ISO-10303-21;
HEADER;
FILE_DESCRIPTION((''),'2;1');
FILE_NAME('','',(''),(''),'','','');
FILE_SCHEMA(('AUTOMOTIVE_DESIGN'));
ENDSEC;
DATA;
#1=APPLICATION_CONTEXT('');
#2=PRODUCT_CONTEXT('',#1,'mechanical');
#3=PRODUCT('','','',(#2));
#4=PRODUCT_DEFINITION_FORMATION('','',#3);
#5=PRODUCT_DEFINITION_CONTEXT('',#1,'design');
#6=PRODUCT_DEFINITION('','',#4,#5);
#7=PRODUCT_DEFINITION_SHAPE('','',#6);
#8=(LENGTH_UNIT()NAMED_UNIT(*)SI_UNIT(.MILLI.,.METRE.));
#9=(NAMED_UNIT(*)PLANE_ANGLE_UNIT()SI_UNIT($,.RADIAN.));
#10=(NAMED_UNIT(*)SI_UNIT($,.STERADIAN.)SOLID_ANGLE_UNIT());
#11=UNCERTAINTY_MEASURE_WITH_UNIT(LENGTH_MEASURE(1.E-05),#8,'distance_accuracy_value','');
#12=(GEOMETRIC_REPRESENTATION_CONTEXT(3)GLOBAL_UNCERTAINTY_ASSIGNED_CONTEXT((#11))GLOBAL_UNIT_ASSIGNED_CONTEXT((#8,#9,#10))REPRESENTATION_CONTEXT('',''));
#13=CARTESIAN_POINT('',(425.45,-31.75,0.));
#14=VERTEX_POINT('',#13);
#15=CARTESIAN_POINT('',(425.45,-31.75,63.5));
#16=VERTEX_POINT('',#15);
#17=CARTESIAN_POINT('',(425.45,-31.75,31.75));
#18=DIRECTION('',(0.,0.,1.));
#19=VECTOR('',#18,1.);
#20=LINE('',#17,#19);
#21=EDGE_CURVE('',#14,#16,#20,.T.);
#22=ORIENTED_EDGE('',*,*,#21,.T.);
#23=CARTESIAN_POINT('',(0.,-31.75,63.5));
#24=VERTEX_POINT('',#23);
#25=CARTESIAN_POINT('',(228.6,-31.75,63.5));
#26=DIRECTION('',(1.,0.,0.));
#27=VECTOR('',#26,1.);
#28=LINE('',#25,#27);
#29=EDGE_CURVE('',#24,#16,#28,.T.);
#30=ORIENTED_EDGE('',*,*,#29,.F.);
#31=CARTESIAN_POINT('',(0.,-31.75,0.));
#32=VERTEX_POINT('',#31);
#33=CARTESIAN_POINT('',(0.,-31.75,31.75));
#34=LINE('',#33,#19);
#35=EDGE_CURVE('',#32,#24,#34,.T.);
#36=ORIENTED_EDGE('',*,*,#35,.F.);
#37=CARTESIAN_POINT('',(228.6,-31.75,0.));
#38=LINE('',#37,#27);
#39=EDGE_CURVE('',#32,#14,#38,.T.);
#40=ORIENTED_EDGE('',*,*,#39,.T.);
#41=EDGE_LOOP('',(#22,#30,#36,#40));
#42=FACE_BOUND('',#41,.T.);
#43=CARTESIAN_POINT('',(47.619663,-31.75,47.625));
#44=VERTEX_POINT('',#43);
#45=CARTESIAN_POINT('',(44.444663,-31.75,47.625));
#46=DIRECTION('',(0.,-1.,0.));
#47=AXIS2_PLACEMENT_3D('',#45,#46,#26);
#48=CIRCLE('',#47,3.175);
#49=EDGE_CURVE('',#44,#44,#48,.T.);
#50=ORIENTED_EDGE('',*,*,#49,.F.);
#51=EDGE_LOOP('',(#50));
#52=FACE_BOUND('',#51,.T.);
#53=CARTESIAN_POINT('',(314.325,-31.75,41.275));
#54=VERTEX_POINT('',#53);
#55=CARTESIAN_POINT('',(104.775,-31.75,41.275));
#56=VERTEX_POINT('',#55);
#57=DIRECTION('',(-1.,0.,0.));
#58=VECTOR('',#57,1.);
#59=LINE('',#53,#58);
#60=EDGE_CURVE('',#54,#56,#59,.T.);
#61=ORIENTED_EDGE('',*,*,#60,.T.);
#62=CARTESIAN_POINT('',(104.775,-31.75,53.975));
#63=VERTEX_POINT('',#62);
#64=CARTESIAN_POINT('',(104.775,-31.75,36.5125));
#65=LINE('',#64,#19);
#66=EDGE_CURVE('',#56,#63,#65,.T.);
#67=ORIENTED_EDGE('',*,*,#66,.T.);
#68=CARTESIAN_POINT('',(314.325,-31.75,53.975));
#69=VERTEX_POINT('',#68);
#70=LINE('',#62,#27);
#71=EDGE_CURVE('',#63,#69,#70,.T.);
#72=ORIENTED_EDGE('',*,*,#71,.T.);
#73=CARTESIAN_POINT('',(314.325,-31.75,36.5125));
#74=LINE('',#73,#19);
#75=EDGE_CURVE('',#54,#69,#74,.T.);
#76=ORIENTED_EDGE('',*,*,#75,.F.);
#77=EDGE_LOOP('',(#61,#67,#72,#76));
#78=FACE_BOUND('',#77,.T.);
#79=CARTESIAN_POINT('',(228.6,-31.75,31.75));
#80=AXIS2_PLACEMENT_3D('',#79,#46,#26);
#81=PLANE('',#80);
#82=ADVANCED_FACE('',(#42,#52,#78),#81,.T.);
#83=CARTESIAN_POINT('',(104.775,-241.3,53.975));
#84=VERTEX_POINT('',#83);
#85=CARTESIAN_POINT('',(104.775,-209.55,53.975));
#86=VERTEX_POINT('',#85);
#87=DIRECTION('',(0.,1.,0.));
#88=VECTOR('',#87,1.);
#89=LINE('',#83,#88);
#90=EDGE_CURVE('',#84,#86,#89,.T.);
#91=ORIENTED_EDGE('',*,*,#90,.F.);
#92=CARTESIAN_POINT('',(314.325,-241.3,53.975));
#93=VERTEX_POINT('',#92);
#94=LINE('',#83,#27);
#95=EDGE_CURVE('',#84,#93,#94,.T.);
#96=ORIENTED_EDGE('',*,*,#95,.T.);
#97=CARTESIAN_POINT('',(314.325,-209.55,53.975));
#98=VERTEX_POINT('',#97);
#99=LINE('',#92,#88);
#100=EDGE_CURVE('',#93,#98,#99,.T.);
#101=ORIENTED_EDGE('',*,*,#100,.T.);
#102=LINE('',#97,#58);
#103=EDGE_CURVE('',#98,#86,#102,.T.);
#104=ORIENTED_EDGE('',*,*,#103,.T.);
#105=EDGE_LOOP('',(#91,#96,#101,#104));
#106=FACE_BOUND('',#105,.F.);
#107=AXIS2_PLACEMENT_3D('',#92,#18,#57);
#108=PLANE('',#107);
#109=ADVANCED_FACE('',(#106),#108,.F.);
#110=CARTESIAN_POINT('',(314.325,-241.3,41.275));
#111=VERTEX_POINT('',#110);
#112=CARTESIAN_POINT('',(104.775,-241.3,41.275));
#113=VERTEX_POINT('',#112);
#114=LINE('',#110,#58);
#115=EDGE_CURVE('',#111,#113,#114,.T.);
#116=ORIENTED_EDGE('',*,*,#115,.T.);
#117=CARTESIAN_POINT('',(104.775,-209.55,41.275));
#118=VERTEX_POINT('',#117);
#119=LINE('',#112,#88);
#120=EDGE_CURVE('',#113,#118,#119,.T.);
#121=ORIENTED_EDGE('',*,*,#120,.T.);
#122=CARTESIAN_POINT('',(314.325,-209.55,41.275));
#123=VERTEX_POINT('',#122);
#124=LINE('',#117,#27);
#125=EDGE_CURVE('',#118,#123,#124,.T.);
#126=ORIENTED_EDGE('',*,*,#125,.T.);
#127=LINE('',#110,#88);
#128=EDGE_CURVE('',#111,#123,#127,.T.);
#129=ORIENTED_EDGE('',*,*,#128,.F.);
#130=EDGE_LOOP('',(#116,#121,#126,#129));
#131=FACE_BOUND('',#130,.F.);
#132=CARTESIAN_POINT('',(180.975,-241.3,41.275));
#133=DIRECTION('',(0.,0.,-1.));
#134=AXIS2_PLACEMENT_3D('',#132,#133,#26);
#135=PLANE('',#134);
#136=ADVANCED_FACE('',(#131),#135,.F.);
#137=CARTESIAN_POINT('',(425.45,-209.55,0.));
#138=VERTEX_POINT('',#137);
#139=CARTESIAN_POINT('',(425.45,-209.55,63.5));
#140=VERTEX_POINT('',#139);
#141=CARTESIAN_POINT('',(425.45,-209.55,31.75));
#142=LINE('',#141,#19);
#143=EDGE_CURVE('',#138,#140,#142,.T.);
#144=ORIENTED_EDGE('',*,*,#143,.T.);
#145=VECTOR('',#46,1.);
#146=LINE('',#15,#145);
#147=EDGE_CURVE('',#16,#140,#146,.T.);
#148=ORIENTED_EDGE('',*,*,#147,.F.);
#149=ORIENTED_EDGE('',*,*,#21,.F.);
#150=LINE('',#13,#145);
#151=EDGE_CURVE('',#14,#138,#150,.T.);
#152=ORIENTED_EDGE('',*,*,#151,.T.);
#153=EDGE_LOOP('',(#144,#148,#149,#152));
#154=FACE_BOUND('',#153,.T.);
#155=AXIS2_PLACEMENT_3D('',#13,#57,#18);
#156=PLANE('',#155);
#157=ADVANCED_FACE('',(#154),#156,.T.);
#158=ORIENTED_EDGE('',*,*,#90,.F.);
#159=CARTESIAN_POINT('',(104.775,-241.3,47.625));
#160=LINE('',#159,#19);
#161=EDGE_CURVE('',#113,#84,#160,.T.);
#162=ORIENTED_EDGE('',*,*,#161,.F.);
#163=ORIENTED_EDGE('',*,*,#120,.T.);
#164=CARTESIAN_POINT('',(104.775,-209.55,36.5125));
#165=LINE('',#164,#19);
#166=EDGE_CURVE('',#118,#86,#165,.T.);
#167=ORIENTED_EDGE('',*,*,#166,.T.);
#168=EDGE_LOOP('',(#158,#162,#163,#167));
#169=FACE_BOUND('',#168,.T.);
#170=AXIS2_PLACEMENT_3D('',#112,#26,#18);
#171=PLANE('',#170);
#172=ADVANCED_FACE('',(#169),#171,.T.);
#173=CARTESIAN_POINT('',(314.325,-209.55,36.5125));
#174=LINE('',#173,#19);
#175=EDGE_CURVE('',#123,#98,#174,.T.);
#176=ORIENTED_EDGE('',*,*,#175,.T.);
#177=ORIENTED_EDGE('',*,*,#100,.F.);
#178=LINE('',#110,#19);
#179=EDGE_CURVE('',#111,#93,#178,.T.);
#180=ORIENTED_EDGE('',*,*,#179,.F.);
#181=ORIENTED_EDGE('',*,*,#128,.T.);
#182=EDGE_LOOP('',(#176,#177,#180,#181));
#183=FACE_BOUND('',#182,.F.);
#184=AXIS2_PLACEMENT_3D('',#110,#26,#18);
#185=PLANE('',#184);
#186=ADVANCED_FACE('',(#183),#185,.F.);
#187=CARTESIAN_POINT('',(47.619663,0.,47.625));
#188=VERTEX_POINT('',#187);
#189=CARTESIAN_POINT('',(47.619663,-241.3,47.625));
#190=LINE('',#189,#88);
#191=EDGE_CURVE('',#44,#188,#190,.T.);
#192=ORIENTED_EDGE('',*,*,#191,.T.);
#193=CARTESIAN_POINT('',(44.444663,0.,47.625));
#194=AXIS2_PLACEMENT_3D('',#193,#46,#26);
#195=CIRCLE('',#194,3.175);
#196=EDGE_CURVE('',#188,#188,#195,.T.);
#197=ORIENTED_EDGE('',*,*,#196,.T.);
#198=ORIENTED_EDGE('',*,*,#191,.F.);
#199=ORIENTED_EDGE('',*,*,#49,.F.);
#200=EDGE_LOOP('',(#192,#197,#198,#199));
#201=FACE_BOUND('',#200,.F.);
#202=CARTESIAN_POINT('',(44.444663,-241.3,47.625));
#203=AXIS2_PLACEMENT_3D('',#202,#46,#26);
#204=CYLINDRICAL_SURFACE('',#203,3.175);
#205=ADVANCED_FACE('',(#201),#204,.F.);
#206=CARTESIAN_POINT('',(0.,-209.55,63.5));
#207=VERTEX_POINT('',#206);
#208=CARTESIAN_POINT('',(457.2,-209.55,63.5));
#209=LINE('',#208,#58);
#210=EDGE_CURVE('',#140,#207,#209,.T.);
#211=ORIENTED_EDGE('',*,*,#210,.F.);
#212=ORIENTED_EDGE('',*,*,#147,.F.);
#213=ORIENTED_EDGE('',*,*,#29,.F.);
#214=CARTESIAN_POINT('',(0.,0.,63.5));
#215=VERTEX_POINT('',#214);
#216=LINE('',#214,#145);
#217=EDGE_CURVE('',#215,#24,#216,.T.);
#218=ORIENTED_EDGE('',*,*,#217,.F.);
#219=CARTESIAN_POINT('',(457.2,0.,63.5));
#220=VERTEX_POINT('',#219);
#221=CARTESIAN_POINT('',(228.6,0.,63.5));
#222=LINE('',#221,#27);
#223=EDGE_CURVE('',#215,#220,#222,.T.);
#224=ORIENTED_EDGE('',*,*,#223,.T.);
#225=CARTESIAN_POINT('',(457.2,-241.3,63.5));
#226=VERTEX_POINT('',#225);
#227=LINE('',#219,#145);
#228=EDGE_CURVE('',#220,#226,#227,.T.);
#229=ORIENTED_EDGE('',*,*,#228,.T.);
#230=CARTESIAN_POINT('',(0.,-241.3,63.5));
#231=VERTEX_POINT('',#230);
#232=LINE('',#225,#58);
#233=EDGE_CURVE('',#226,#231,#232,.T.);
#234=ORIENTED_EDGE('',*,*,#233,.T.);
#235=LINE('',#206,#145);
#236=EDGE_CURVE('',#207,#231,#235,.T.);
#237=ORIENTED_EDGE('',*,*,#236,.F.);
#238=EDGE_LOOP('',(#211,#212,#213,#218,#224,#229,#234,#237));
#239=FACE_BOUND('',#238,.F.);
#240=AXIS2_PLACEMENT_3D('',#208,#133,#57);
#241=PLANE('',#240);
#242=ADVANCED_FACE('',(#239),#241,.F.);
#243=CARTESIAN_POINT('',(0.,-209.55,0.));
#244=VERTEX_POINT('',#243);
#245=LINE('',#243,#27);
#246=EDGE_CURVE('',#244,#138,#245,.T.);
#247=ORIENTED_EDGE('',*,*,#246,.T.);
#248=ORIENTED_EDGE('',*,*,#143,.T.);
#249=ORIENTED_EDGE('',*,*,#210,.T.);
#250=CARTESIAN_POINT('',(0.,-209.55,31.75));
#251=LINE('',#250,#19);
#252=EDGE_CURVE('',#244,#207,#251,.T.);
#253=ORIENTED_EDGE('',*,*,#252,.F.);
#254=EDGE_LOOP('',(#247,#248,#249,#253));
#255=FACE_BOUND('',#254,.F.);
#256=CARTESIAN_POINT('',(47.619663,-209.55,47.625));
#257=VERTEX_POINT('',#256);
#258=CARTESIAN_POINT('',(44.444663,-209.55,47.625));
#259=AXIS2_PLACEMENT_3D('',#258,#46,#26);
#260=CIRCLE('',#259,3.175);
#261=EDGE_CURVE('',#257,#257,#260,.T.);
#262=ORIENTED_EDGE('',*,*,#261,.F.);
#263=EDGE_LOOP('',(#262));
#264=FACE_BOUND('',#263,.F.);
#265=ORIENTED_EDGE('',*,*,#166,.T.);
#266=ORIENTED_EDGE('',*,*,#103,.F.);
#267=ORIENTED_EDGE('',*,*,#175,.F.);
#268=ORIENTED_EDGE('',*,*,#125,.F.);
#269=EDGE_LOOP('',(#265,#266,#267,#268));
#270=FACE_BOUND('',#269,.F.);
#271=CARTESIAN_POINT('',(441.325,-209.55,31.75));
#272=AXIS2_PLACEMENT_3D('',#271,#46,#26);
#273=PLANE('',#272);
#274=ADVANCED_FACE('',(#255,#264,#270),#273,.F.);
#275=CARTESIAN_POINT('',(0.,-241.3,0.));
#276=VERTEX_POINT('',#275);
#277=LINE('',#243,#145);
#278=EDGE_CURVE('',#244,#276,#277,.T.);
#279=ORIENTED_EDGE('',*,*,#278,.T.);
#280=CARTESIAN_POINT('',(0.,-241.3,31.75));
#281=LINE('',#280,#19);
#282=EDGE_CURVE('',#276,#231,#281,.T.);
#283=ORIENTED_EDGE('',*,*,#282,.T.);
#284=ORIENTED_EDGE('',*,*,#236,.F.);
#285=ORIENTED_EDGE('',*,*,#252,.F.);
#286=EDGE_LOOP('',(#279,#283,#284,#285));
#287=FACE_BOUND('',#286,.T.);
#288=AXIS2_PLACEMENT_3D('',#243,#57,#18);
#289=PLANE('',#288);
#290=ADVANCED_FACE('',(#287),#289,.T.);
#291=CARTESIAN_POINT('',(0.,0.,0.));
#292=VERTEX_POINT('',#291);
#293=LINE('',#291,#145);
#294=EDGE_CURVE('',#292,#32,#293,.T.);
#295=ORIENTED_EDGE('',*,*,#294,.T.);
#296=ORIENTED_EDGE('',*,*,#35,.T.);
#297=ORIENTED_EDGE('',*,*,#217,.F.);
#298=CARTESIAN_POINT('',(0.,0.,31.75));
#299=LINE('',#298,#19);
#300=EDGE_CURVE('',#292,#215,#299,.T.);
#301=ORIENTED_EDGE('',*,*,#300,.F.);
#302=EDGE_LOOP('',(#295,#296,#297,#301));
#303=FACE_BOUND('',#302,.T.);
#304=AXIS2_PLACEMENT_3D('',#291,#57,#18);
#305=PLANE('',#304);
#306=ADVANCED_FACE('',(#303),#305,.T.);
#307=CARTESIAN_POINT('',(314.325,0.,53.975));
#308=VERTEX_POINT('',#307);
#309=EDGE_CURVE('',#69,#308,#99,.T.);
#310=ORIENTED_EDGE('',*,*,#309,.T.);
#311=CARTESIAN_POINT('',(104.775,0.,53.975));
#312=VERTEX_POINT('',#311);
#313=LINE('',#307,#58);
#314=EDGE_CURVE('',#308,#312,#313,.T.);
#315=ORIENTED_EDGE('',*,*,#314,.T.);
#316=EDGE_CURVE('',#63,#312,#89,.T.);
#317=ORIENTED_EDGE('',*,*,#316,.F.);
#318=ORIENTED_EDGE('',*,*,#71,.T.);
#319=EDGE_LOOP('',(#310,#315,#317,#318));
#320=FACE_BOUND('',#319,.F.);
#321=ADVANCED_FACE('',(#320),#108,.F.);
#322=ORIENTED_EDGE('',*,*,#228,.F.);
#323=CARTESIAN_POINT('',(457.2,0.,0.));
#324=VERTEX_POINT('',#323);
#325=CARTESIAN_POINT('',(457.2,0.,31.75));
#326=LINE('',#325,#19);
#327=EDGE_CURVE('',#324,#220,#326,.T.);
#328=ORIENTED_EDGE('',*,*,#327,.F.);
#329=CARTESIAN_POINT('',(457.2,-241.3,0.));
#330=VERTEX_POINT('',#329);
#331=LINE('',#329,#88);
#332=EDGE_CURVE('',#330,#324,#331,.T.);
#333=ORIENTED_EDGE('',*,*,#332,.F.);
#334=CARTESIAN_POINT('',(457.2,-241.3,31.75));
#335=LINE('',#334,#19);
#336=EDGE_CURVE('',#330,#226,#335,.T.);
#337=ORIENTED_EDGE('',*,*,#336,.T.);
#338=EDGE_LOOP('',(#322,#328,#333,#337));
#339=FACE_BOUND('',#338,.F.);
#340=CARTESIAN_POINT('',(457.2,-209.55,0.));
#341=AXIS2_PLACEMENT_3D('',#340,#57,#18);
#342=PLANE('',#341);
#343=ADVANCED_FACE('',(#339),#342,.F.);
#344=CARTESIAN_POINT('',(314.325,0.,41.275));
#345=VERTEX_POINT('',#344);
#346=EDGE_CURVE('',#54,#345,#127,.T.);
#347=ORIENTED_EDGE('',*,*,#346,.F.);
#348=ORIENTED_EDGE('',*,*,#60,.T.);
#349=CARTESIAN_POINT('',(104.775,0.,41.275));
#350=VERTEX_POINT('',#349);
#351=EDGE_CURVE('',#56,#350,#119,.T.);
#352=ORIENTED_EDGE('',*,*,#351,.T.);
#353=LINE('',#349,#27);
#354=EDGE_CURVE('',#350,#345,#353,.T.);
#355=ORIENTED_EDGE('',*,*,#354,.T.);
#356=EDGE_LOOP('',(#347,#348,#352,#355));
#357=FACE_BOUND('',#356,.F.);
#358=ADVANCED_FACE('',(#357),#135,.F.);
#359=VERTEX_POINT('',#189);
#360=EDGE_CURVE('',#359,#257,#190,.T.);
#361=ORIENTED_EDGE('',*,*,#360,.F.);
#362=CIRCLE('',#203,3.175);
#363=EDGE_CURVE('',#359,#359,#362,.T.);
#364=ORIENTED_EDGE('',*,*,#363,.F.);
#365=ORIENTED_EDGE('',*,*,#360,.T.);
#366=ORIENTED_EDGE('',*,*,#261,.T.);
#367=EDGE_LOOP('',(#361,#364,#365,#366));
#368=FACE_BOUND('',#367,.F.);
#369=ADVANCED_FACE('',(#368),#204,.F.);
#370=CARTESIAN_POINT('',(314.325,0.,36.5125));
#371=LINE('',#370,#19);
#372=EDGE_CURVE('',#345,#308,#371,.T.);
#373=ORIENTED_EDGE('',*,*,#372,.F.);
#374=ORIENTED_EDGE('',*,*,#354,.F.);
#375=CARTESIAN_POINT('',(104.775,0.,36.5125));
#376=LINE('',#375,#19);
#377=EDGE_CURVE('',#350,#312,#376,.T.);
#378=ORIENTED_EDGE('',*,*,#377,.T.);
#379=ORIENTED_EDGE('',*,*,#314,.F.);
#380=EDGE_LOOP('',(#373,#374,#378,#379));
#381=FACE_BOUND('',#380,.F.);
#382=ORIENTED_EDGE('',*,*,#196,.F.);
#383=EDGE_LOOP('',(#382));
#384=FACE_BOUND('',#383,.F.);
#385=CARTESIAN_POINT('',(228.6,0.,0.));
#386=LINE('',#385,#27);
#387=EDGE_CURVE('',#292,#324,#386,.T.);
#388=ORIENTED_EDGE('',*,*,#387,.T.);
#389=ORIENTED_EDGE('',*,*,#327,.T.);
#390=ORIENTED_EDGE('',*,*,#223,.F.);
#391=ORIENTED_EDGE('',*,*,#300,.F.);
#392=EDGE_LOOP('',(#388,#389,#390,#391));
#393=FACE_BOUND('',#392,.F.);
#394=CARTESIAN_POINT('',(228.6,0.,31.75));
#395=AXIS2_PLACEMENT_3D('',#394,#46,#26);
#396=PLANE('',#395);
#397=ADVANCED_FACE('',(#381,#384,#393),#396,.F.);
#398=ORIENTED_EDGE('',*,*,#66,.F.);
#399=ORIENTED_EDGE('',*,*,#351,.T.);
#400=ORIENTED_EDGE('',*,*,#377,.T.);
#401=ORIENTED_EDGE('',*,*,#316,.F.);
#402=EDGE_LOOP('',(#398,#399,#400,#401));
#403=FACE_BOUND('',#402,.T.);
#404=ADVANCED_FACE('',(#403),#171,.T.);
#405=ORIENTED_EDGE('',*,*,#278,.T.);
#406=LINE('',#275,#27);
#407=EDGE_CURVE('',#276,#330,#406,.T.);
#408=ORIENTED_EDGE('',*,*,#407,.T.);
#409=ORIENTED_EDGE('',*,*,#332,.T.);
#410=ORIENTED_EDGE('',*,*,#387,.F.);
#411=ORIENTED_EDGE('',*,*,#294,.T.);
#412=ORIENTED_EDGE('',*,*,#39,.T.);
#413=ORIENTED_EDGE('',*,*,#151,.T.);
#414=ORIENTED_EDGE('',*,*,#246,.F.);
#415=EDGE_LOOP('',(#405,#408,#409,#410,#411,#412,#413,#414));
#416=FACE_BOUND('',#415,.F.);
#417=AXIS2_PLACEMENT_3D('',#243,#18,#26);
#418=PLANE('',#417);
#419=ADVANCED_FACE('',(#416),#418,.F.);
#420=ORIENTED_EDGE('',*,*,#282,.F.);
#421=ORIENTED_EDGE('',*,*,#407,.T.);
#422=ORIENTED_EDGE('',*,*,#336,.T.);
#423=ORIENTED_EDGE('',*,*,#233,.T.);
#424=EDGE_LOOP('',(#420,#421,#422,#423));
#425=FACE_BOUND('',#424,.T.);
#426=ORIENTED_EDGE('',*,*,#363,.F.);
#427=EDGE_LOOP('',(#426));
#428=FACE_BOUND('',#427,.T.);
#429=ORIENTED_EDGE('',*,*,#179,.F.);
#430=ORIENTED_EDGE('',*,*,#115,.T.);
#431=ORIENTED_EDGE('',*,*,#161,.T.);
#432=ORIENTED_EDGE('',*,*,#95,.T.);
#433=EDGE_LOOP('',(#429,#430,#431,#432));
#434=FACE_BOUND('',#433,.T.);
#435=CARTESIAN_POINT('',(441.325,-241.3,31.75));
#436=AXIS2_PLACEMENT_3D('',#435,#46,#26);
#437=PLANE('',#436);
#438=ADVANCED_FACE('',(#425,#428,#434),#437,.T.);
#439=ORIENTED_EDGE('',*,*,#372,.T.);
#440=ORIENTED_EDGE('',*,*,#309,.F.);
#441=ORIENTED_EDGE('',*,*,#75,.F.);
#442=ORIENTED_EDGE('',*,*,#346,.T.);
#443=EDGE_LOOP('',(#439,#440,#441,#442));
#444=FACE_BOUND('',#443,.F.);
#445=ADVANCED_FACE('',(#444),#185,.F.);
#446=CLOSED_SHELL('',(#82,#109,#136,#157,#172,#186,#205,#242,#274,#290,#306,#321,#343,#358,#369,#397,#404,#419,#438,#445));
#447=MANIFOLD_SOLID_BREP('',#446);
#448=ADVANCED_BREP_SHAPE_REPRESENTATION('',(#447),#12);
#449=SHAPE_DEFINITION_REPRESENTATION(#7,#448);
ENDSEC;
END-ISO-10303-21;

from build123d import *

# Parameters (mm, degrees)
F0_W      = 457.2
F0_H      = 63.5
F1_DEPTH  = 31.75
F2_W      = 31.75
F2_H      = 63.5
F3_DEPTH  = 177.8
F4_W      = 31.75
F4_H      = 63.5
F4_W_2    = 425.45
F5_DEPTH  = 31.75
F7_DEPTH  = 254
F9_DEPTH  = 508
F10_W     = 76.2
F10_H     = 12.7
F11_DEPTH = 346.71


with BuildPart() as f1:
    # F0 (on Front) → F1 (new body)
    with BuildSketch(Plane.XZ):
        with Locations((228.6, 31.75)):
            Rectangle(F0_W, F0_H)
    extrude(amount=F1_DEPTH)

    # F2 (on face) → F3 (join)
    with BuildSketch(Plane.XZ.offset(31.75)):
        with Locations((441.325, 31.75)):
            Rectangle(F2_W, F2_H)
    extrude(amount=F3_DEPTH)

    # F4 (on face) → F5 (join)
    with BuildSketch(Plane.XZ.offset(209.55)):
        with Locations((441.325, 31.75)):
            Rectangle(F4_W, F4_H)
        with Locations((212.725, 31.75)):
            Rectangle(F4_W_2, F4_H)
    extrude(amount=F5_DEPTH)

    # F6 (on face) → F7 (cut)
    with BuildSketch(Plane.XZ.offset(241.3)):
        Polygon((180.975, 41.275), (314.325, 41.275), (314.325, 53.975), (247.65, 53.975), (180.975, 53.975), align=None)
    extrude(amount=-F7_DEPTH, mode=Mode.SUBTRACT)

    # F8 (on face) → F9 (cut)
    with BuildSketch(Plane.XZ.offset(241.3)):
        with BuildLine():
            ThreePointArc((41.269663, 47.625), (44.444663, 44.45), (47.619663, 47.625))
            ThreePointArc((47.619663, 47.625), (44.444663, 50.8), (41.269663, 47.625))
        make_face()
    extrude(amount=-F9_DEPTH, mode=Mode.SUBTRACT)

    # F10 (on face) → F11 (cut)
    with BuildSketch(Plane.XZ.offset(241.3)):
        with Locations((142.875, 47.625)):
            Rectangle(F10_W, F10_H)
    extrude(amount=-F11_DEPTH, mode=Mode.SUBTRACT)


solid = f1.part
